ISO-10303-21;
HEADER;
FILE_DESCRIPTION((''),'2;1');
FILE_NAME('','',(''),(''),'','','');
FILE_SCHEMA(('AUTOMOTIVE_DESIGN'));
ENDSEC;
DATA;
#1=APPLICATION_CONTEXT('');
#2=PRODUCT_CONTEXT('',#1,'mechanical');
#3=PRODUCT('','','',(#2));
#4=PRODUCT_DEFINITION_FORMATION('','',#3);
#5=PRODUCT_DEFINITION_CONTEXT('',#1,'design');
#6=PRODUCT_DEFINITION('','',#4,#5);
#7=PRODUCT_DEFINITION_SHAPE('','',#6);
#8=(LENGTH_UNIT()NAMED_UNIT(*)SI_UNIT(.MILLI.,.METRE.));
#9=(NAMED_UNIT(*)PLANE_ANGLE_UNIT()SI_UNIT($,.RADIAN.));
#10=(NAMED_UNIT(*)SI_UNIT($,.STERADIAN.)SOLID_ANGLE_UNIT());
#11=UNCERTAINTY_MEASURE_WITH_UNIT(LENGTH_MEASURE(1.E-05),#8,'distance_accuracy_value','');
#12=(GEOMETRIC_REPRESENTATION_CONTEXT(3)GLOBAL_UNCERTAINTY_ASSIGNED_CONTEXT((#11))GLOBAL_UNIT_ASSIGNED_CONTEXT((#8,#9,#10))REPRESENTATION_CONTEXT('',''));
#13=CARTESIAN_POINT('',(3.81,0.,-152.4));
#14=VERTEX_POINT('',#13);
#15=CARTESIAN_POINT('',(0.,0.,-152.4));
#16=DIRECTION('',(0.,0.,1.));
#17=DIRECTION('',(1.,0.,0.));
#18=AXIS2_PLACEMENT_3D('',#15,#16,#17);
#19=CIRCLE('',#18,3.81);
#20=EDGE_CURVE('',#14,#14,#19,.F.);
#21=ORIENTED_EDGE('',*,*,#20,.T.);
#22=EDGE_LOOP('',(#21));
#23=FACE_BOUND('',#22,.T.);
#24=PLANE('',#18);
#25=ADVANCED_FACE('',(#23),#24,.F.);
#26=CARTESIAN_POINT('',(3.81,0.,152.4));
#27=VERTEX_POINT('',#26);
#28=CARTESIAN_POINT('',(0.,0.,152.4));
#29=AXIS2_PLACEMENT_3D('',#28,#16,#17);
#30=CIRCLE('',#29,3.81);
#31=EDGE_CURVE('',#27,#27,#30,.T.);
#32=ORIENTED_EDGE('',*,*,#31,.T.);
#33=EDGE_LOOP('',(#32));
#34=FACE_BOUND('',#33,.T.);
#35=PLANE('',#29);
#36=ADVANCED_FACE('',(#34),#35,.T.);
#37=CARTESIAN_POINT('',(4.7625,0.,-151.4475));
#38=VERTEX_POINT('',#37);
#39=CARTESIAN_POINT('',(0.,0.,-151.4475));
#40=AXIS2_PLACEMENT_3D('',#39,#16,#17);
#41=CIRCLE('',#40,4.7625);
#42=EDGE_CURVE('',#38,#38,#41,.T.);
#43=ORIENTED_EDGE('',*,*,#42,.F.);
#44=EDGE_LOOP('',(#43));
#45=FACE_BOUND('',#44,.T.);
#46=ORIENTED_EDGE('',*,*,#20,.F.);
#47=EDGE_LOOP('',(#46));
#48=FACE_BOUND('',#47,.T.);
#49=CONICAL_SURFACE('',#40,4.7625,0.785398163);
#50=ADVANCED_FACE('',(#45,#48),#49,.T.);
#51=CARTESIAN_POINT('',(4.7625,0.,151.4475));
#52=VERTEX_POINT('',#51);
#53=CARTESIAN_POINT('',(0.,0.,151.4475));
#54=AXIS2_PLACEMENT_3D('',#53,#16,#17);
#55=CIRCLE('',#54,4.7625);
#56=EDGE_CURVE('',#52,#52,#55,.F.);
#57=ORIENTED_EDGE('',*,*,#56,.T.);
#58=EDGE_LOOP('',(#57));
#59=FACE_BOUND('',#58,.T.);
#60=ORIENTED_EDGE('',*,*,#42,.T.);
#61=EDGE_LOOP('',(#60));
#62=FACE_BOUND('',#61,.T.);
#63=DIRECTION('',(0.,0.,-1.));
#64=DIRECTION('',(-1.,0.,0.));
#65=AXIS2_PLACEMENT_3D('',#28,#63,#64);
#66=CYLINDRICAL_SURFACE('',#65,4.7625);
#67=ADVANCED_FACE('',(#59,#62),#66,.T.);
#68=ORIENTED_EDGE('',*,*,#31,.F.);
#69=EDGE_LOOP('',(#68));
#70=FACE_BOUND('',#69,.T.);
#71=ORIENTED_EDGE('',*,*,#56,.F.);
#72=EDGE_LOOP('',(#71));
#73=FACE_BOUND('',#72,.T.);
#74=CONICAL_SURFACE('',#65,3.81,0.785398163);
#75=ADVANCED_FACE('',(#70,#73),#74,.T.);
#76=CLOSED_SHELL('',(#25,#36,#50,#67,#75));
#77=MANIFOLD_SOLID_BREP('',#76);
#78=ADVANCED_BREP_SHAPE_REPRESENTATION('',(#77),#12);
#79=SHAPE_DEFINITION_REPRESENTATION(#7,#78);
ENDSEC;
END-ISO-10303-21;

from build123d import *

# Parameters (mm, degrees)
SKETCH1_R      = 4.7625
EXTRUDE1_DEPTH = 152.4
CHAMFER1_SIZE  = 0.9525


with BuildPart() as part:
    # Sketch1 → Extrude1 (new body, symmetric)
    with BuildSketch(Plane.XY):
        Circle(SKETCH1_R)
    extrude(amount=EXTRUDE1_DEPTH, both=True)

    # Chamfer1
    chamfer1_edges = [part.edges().sort_by_distance(p)[0] for p in [
        (-4.7625, 0, -152.4),
        (-4.7625, 0, 152.4),
    ]]
    chamfer(chamfer1_edges, length=CHAMFER1_SIZE)


solid = part.part
